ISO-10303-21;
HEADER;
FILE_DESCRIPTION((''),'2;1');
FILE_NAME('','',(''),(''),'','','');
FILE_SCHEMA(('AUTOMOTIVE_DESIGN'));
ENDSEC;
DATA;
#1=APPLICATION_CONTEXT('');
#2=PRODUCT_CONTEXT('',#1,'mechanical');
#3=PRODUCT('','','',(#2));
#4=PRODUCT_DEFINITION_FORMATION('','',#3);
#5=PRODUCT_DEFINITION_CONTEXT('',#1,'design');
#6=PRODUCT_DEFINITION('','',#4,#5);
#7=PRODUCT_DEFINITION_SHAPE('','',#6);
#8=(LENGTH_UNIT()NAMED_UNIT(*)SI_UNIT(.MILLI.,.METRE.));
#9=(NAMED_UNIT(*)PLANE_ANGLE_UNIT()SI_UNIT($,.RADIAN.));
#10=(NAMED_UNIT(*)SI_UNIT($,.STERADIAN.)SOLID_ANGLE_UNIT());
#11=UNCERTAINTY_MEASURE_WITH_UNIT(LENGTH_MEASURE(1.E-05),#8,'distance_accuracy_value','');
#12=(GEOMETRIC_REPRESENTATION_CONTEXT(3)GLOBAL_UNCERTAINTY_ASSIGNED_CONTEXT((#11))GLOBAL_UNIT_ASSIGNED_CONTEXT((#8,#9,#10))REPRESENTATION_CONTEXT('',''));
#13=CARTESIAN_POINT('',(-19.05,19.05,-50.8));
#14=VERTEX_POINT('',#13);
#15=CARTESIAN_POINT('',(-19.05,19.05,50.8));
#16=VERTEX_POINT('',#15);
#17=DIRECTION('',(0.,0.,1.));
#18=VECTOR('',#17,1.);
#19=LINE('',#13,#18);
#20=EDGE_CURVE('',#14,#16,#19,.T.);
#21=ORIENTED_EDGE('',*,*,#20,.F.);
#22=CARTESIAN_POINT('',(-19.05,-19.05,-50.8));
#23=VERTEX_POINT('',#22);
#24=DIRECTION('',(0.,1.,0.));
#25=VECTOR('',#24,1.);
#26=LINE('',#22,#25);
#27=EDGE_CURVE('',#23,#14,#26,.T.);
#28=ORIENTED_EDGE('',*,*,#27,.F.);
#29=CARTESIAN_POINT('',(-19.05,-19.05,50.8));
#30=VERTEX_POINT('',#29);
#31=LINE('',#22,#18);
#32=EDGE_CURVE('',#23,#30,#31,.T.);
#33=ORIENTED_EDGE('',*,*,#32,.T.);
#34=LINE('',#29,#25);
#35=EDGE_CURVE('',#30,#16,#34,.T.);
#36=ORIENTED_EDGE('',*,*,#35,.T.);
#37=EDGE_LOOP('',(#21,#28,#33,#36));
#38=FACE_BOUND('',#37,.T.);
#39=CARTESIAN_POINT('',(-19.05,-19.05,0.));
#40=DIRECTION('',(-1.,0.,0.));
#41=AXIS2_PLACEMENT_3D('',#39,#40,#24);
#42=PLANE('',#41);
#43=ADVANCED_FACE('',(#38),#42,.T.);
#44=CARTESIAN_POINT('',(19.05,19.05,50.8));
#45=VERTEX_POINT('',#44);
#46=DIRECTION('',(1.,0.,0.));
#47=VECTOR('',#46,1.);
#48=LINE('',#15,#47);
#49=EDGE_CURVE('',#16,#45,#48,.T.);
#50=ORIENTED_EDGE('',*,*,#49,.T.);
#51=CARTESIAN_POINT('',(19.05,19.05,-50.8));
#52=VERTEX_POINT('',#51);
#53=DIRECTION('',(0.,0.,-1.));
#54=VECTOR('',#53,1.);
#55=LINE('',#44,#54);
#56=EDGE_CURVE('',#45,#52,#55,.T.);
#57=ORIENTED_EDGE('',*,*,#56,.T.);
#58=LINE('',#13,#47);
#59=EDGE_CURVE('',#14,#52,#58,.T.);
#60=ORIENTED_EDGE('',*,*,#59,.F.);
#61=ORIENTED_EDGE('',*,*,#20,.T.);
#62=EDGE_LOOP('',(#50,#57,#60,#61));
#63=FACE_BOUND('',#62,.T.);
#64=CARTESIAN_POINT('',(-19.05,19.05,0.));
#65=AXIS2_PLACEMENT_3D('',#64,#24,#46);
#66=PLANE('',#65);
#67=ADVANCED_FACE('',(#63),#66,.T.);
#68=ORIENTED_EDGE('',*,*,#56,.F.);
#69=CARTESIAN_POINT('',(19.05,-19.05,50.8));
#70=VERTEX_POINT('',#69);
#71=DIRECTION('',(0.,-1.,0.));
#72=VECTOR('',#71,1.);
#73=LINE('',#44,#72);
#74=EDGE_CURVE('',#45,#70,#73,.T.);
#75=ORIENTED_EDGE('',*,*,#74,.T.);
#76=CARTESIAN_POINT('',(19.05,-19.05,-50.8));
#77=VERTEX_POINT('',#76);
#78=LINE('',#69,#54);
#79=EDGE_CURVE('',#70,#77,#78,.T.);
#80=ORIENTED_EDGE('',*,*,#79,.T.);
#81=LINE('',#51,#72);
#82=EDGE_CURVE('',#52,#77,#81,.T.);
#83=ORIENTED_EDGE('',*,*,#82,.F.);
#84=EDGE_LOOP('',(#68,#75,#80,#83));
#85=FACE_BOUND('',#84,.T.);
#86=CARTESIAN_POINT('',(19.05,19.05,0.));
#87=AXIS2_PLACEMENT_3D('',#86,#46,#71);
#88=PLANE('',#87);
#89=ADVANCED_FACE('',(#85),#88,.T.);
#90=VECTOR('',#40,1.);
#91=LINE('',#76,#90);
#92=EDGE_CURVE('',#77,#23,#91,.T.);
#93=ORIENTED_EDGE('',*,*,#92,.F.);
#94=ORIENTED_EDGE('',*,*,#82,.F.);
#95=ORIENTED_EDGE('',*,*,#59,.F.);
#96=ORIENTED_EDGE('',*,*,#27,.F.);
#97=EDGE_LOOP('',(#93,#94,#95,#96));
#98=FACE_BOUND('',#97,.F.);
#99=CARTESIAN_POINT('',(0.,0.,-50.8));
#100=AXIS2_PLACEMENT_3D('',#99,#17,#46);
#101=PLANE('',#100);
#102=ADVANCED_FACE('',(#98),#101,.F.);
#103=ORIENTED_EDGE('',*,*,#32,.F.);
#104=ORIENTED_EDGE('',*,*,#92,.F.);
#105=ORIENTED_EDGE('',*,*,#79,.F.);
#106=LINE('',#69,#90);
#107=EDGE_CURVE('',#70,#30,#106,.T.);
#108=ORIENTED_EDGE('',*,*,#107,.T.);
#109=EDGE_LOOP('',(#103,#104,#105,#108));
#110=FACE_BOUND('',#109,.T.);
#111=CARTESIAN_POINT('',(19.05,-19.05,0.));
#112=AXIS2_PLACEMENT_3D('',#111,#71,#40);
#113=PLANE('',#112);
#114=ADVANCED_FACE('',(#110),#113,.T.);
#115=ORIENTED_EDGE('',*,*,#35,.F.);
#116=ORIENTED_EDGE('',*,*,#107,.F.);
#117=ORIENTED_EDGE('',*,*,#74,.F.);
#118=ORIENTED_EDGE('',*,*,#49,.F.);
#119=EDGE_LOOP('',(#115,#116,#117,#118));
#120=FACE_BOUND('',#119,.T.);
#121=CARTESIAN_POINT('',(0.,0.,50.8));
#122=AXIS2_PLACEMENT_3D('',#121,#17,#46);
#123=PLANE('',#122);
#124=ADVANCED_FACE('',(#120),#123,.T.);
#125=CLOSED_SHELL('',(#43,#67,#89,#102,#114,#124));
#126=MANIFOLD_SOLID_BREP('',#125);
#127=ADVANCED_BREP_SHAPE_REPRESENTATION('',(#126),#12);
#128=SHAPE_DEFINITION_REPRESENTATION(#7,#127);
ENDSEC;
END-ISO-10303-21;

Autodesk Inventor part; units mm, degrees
ref_plane "YZ Plane" through (0, 0, 0) normal (1, 0, 0) x (0, 1, 0)
ref_plane "XZ Plane" through (0, 0, 0) normal (0, 1, 0) x (-1, 0, 0)
ref_plane "XY Plane" through (0, 0, 0) normal (0, 0, 1) x (1, 0, 0)
sketch "Sketch1" plane through (0, 0, 0) normal (0, 0, 1) x (1, 0, 0)
  line L0 (-19.05, 19.05) -> (19.05, 19.05)
  line L1 (19.05, 19.05) -> (19.05, -19.05)
  line L2 (19.05, -19.05) -> (-19.05, -19.05)
  line L3 (-19.05, -19.05) -> (-19.05, 19.05)
  line L4 (-19.05, 19.05) -> (19.05, -19.05) construction
  line L5 (19.05, 19.05) -> (-19.05, -19.05) construction
  point P0 (0, 0)
  dimension "d0" = 38.1
  dimension "d1" = 38.1
extrude "Extrusion1" add sketch "Sketch1" along normal mid plane 101.6
properties part number "upper indexer plate cleat"
